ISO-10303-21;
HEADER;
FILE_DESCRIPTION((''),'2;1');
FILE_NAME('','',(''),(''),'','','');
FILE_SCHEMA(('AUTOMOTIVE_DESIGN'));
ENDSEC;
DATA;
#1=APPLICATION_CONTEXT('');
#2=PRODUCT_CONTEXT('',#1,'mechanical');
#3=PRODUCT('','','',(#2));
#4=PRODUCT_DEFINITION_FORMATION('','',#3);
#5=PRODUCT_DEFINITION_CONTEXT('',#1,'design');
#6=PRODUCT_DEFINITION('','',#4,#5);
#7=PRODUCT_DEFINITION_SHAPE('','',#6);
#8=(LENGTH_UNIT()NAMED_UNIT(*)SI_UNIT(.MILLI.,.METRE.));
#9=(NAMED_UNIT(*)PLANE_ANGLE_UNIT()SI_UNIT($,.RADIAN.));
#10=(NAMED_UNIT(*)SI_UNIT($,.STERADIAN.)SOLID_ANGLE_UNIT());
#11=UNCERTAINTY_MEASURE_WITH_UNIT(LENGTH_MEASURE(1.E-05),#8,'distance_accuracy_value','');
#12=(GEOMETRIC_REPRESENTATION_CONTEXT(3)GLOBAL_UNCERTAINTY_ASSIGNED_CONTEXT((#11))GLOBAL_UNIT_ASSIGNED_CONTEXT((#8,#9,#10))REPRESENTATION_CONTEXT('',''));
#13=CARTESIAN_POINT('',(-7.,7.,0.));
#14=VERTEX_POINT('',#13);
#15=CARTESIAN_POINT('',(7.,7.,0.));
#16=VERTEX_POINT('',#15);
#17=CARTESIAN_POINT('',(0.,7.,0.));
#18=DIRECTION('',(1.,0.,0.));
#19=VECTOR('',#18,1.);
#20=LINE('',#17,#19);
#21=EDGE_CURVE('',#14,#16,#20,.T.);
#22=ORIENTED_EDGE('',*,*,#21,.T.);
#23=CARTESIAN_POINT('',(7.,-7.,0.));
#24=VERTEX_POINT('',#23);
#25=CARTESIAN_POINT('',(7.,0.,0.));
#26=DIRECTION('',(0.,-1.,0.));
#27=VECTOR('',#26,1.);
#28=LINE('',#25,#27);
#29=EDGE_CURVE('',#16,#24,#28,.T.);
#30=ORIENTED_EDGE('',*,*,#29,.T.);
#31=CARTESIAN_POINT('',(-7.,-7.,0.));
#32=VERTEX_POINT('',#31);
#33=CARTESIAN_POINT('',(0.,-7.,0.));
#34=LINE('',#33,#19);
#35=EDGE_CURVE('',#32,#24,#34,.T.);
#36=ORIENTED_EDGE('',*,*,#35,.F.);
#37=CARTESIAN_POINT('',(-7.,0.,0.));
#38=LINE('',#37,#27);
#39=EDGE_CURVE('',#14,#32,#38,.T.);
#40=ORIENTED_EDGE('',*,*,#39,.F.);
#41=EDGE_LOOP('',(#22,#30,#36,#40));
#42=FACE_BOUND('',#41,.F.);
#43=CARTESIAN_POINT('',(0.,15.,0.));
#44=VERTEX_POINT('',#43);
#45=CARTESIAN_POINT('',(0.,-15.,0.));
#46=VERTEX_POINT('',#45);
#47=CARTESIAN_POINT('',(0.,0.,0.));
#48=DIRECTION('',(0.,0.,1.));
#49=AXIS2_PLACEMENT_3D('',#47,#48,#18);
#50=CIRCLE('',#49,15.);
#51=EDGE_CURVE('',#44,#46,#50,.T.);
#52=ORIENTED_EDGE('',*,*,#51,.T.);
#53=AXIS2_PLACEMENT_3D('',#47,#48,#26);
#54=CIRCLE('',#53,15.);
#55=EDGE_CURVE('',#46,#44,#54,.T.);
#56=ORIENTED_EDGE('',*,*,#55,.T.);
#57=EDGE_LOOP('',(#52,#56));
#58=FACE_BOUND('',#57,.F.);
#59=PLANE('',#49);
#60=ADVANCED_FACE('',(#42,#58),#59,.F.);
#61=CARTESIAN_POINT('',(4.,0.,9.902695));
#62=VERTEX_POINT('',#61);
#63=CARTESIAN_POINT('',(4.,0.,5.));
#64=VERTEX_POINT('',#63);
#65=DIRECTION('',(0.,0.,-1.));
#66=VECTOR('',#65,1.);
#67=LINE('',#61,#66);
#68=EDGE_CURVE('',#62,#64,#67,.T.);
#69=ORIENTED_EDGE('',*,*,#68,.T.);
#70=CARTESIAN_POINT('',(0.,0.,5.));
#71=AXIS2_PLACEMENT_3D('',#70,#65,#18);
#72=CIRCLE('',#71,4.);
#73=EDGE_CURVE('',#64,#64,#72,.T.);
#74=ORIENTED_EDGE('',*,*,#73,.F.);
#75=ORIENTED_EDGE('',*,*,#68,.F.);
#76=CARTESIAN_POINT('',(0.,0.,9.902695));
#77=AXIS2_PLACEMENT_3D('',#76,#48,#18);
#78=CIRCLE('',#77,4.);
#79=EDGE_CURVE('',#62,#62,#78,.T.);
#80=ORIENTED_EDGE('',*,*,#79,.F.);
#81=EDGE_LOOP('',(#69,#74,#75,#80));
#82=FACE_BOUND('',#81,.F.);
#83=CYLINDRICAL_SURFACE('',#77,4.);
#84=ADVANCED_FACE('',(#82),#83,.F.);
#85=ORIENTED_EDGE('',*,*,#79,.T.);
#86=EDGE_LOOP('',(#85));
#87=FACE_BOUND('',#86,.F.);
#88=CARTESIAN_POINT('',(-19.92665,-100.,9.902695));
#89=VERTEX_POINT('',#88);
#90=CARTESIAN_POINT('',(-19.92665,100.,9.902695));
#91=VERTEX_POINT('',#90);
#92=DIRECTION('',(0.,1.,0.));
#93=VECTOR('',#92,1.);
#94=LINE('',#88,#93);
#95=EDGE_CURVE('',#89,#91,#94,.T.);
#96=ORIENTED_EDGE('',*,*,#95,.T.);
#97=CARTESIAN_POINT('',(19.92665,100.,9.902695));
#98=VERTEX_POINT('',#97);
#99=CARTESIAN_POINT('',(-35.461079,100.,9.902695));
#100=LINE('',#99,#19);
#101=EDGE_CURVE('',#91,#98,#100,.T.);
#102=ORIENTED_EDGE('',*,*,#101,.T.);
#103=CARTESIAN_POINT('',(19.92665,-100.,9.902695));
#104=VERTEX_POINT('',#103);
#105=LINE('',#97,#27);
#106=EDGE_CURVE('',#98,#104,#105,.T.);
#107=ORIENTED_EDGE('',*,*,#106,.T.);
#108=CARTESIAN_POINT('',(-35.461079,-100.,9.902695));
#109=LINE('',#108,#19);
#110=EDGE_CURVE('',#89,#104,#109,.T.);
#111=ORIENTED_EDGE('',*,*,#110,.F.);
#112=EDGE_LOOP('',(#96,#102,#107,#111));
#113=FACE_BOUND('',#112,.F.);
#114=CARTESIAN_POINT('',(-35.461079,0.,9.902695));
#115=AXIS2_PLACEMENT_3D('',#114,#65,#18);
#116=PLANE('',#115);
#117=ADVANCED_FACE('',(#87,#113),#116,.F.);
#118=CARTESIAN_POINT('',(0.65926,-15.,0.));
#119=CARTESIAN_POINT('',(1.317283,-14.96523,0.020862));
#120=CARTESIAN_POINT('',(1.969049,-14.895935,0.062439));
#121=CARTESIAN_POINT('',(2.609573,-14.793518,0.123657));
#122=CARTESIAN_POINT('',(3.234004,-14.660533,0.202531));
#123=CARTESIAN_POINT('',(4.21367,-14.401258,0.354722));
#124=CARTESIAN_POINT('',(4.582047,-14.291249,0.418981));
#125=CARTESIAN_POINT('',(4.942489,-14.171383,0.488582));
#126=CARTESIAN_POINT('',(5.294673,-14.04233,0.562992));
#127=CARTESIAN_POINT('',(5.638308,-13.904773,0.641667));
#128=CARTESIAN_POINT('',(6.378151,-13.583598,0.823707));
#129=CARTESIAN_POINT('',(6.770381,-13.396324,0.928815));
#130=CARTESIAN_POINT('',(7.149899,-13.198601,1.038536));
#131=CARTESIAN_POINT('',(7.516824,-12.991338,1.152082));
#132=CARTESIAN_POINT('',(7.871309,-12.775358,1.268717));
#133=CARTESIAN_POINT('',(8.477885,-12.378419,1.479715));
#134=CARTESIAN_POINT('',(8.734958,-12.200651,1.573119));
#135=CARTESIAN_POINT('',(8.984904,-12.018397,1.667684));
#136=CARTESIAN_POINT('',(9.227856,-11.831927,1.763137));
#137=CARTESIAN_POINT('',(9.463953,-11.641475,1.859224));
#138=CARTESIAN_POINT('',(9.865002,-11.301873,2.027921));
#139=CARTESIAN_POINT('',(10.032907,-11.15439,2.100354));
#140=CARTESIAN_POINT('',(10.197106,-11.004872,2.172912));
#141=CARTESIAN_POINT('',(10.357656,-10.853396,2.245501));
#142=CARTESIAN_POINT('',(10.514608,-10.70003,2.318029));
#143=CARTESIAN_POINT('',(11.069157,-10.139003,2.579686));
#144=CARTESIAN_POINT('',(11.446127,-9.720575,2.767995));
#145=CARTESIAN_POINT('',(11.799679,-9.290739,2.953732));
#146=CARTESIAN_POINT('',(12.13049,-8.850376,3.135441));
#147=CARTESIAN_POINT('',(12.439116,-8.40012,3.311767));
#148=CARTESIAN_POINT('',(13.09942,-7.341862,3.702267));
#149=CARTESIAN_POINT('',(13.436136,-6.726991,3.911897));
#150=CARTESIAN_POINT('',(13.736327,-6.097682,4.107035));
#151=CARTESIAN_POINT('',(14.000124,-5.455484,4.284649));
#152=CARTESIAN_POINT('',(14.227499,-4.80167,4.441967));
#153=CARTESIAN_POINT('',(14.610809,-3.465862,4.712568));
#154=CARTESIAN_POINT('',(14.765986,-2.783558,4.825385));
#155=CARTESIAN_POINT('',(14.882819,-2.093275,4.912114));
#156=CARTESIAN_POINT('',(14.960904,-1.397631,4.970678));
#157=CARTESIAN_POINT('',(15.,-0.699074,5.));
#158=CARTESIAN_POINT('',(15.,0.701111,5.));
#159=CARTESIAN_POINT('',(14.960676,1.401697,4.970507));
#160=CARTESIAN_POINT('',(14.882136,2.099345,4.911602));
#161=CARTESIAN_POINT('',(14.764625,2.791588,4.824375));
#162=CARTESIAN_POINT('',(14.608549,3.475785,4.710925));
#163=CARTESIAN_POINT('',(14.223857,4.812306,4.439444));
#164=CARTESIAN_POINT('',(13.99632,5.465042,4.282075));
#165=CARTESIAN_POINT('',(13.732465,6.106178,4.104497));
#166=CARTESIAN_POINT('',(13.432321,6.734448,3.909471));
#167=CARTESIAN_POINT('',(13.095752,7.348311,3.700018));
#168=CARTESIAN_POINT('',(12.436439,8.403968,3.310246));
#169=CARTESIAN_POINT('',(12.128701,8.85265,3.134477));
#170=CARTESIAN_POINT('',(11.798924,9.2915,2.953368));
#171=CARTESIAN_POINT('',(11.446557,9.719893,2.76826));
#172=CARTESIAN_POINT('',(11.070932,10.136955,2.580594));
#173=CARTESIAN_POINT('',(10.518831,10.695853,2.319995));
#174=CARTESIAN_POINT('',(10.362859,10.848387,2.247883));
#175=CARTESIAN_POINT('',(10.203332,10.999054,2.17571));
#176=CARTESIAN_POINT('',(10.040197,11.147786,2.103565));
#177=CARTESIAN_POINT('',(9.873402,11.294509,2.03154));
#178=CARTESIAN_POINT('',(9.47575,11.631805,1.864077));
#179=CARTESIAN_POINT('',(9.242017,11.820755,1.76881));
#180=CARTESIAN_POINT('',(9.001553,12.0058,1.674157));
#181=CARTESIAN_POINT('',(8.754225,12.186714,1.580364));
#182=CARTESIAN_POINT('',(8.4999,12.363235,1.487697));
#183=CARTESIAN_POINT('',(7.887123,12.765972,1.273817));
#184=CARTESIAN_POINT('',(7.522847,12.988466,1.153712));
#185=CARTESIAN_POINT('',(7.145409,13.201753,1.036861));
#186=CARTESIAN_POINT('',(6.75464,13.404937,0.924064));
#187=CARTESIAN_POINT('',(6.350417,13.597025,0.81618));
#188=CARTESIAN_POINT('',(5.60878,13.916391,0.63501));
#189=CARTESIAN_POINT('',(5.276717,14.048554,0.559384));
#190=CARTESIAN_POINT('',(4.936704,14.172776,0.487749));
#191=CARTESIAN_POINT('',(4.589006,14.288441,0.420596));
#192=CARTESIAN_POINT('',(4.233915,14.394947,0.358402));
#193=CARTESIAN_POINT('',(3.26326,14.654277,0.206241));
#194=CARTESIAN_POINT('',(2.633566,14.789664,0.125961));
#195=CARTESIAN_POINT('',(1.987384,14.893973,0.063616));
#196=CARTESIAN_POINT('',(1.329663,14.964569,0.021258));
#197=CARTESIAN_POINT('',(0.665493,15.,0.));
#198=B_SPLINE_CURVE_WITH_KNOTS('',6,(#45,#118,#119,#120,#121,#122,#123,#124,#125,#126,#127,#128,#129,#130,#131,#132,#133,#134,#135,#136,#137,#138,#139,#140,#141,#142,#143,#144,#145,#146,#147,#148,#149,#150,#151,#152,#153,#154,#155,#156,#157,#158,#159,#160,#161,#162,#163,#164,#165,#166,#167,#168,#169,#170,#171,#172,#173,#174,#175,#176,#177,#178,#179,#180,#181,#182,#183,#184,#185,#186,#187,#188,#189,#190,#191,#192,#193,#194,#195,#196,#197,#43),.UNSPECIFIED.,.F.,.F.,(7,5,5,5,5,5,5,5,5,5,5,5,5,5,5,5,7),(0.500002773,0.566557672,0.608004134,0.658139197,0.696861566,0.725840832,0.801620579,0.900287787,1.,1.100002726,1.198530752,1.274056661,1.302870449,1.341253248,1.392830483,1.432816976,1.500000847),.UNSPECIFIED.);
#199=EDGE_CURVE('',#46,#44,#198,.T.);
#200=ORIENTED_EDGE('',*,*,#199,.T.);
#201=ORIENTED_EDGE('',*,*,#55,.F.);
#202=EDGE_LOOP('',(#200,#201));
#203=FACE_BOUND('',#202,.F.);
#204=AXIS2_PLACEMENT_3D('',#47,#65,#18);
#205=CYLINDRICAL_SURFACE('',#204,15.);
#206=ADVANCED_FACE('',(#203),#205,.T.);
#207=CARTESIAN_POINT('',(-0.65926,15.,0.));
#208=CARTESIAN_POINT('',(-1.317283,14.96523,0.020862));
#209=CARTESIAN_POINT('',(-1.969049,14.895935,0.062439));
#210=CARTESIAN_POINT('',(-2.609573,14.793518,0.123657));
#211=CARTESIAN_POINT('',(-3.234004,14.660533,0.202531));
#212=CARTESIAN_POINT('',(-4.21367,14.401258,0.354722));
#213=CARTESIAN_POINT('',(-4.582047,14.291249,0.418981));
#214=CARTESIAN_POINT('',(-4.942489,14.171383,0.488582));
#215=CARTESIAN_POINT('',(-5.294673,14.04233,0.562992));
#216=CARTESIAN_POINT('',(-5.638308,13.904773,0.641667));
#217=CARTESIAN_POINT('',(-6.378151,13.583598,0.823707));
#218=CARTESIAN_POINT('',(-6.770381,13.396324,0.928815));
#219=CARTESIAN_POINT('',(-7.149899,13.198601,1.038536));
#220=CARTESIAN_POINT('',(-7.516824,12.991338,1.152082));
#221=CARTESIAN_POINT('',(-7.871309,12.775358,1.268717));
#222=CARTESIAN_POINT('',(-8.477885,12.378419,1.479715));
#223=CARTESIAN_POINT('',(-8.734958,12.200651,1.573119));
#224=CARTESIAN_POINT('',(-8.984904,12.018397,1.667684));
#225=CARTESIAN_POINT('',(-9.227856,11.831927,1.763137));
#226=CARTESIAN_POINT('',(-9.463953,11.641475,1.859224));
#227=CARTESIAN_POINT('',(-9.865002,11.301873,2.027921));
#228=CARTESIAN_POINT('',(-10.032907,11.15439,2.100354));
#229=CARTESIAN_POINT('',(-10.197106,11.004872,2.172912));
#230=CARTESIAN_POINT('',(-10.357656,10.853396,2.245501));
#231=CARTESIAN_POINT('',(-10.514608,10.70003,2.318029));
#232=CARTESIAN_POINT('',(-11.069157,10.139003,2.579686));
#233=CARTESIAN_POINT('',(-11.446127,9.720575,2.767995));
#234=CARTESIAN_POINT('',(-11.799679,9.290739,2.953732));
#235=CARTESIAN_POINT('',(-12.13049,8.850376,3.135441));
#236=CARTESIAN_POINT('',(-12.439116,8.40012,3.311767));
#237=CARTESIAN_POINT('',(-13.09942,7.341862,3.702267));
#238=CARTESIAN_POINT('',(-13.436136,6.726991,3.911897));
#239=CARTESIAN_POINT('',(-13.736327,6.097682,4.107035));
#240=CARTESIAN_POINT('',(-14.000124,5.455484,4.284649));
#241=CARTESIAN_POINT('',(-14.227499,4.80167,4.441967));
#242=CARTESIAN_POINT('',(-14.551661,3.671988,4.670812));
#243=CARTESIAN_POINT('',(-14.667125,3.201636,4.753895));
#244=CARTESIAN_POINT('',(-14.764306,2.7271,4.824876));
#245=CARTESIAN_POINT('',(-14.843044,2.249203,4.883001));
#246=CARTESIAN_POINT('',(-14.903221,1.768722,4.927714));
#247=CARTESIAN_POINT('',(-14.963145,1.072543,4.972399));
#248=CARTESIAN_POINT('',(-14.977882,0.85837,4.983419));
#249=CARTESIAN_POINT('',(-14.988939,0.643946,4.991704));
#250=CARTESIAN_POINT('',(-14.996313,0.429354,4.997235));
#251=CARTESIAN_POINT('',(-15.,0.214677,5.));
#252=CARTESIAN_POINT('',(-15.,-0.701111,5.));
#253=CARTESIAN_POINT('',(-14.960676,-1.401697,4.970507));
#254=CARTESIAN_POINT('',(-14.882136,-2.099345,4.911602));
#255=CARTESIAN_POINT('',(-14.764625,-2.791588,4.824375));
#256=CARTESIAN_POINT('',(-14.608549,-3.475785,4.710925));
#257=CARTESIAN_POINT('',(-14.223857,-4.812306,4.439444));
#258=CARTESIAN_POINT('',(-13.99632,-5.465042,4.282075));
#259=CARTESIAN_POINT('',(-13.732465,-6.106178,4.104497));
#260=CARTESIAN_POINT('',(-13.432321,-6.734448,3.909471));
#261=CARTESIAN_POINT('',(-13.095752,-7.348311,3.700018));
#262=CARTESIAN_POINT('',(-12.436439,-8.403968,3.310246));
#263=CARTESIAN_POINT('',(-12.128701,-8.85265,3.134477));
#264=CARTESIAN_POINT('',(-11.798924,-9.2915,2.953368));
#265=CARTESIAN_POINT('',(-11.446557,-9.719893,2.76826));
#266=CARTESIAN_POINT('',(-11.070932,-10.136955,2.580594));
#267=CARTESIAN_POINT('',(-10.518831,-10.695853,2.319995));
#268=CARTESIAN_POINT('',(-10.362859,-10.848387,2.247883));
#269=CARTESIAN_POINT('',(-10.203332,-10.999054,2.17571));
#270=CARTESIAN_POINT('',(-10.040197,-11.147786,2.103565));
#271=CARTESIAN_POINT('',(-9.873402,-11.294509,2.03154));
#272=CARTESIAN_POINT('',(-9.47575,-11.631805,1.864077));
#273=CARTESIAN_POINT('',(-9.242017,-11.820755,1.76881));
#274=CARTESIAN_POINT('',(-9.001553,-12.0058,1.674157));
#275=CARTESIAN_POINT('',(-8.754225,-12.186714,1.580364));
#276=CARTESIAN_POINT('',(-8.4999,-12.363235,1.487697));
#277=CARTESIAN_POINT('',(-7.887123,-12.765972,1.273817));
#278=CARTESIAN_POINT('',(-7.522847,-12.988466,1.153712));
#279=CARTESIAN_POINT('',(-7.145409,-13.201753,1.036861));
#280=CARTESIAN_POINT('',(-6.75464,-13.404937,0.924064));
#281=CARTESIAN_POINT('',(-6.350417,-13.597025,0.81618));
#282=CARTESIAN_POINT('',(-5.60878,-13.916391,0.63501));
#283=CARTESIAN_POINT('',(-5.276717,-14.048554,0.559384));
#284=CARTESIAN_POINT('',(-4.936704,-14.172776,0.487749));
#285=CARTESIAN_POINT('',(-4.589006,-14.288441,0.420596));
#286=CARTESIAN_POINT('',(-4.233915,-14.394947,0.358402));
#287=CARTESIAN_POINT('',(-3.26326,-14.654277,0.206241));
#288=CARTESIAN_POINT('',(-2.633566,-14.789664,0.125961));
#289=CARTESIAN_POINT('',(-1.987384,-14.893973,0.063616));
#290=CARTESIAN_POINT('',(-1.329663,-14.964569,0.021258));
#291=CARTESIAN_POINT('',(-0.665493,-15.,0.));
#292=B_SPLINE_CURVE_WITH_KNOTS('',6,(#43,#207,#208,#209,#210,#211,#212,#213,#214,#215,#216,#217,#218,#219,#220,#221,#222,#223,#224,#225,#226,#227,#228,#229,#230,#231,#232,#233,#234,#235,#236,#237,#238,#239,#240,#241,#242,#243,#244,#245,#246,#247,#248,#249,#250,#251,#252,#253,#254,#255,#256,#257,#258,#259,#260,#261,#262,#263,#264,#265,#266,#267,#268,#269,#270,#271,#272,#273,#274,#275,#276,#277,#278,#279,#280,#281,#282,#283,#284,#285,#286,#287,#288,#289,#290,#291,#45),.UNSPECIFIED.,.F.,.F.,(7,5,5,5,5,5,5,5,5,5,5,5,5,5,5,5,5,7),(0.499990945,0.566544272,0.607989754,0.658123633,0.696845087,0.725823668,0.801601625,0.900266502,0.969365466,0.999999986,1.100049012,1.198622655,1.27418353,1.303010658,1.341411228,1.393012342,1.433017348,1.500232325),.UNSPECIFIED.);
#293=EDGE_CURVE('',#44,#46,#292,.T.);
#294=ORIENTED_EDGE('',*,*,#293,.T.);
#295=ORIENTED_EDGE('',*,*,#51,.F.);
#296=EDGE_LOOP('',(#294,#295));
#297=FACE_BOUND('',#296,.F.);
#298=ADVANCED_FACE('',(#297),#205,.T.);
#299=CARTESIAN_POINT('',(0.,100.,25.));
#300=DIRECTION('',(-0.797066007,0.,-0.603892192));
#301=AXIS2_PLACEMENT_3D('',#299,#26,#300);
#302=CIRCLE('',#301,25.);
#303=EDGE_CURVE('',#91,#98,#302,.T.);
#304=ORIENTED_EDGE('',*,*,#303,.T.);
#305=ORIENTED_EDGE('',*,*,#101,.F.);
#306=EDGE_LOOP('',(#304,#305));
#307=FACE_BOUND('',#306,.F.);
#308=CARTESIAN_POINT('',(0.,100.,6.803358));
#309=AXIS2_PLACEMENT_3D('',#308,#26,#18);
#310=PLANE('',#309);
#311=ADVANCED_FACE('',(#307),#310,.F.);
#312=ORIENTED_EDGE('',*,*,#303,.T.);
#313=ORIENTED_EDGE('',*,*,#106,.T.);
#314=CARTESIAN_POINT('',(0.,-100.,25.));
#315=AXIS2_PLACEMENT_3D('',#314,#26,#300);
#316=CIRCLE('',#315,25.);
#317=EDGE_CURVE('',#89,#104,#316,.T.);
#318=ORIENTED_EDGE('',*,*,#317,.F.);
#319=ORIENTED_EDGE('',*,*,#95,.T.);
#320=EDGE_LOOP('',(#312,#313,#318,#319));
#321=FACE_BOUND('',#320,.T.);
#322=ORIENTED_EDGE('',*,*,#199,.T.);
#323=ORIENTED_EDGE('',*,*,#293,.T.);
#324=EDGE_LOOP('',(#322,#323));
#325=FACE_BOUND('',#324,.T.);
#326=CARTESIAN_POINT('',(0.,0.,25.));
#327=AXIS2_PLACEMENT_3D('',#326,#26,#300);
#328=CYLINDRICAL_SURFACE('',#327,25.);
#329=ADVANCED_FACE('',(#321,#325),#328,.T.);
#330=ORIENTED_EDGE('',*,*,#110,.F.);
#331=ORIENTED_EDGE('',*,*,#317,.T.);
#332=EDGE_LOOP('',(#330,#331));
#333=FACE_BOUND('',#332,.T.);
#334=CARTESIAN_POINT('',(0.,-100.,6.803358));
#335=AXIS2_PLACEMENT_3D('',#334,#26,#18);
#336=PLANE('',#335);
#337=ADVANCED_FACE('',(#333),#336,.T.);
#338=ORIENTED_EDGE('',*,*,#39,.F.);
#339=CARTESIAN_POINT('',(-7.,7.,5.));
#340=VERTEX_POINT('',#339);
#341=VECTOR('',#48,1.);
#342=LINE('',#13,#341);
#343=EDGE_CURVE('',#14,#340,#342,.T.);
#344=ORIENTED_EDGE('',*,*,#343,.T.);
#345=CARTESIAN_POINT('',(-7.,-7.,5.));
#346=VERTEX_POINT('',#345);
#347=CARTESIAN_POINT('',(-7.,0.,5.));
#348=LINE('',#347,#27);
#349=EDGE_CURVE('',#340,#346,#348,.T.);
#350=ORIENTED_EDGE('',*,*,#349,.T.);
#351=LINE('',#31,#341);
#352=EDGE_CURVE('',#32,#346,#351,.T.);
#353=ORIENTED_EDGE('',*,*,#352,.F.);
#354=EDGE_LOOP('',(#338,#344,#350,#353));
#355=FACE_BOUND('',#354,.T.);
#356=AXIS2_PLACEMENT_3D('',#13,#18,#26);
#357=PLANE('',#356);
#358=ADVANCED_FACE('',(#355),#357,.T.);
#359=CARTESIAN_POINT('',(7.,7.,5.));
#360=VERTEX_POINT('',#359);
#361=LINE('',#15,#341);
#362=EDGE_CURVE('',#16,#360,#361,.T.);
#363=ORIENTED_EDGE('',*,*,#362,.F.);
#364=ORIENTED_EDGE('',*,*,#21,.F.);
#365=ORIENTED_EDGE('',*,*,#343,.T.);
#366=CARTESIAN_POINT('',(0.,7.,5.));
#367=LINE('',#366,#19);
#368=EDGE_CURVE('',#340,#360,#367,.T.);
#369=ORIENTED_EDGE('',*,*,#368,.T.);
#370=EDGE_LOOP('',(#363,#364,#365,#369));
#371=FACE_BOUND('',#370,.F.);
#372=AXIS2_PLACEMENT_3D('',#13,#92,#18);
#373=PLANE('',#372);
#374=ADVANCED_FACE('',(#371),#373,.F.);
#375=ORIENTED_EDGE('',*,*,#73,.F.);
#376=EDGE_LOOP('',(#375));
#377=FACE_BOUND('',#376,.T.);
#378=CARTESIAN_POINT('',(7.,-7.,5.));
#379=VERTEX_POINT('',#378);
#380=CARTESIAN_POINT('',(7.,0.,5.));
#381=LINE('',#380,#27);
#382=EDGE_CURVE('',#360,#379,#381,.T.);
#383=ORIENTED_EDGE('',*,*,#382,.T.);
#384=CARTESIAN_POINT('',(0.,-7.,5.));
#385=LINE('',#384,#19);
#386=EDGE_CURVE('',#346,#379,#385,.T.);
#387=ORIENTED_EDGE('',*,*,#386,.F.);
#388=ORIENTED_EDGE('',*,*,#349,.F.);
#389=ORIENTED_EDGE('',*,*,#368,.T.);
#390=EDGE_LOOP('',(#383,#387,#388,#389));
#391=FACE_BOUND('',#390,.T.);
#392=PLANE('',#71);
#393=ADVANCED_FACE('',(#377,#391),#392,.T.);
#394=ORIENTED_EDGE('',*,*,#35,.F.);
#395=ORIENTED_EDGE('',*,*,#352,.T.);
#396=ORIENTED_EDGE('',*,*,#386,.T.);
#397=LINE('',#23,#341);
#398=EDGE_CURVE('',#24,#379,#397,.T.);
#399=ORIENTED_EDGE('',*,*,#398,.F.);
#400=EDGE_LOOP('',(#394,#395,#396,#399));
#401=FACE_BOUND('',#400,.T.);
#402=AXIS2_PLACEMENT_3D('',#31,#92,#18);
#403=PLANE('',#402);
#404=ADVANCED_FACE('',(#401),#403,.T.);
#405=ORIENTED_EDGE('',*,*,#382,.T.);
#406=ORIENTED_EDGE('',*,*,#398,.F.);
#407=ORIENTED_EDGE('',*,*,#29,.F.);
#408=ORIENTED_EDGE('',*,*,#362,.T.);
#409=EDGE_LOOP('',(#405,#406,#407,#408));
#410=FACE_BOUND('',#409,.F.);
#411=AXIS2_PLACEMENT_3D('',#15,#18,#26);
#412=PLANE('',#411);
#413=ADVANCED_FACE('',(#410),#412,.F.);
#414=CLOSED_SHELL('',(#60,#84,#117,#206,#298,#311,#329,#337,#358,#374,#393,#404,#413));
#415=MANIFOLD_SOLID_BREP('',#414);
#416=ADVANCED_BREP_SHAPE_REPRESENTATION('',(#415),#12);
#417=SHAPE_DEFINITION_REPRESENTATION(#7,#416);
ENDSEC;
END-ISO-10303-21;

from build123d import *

# Parameters (mm, degrees)
F0_R          = 15
F1_DEPTH      = 10
F3_DEPTH      = 100
F3_DEPTH_BACK = 100
F4_DEPTH      = 100
F4_DEPTH_BACK = 100
F5_R          = 4
F6_DEPTH      = 25
F7_W          = 14
F7_H          = 14
F7_R          = 4
F8_DEPTH      = 5


with BuildPart() as f1:
    # F0 (on Top) → F1 (new body)
    with BuildSketch(Plane.XY):
        Circle(F0_R)
    extrude(amount=F1_DEPTH)

    # F2 (on Front) → F3 (join, two sides)
    with BuildSketch(Plane.XZ) as f3_sk:
        with BuildLine():
            Line((19.9266501849, 9.9026951939), (-19.9266501849, 9.9026951939))
            ThreePointArc((-19.9266501849, 9.9026951939), (0, 0), (19.9266501849, 9.9026951939))
        make_face()
        with BuildLine():
            ThreePointArc((19.9266501849, 9.9026951939), (23.6977451947, 17.0365288543), (25, 25))
            ThreePointArc((25, 25), (-7.9634711457, 48.6977451947), (-19.9266501849, 9.9026951939))
            Line((-19.9266501849, 9.9026951939), (19.9266501849, 9.9026951939))
        make_face()
    extrude(amount=F3_DEPTH)
    extrude(f3_sk.sketch, amount=-F3_DEPTH_BACK)

    # F2 (on Front) → F4 (cut, two sides)
    with BuildSketch(Plane.XZ) as f4_sk:
        with BuildLine():
            ThreePointArc((-19.9266501849, 9.9026951939), (-7.9634711457, 48.6977451947), (25, 25))
            ThreePointArc((25, 25), (23.6977451947, 17.0365288543), (19.9266501849, 9.9026951939))
            Line((19.9266501849, 9.9026951939), (43.9491011202, 9.9026951939))
            Line((43.9491011202, 9.9026951939), (43.9491011202, 56.3038922846))
            Line((43.9491011202, 56.3038922846), (-35.4610793293, 56.3038922846))
            Line((-35.4610793293, 56.3038922846), (-35.4610793293, 9.9026951939))
            Line((-35.4610793293, 9.9026951939), (-19.9266501849, 9.9026951939))
        make_face()
        with BuildLine():
            ThreePointArc((19.9266501849, 9.9026951939), (23.6977451947, 17.0365288543), (25, 25))
            ThreePointArc((25, 25), (-7.9634711457, 48.6977451947), (-19.9266501849, 9.9026951939))
            Line((-19.9266501849, 9.9026951939), (19.9266501849, 9.9026951939))
        make_face()
    extrude(amount=-F4_DEPTH, mode=Mode.SUBTRACT)
    extrude(f4_sk.sketch, amount=F4_DEPTH_BACK, mode=Mode.SUBTRACT)

    # F5 (on face) → F6 (cut)
    with BuildSketch(Plane.XY.offset(9.9026951939)):
        Circle(F5_R)
    extrude(amount=-F6_DEPTH, mode=Mode.SUBTRACT)

    # F7 (on face) → F8 (cut)
    with BuildSketch(Plane(origin=(0, 0, 0), x_dir=(1, 0, 0), z_dir=(0, 0, -1))):
        Rectangle(F7_W, F7_H)
        Circle(F7_R, mode=Mode.SUBTRACT)
    extrude(amount=-F8_DEPTH, mode=Mode.SUBTRACT)


solid = f1.part
